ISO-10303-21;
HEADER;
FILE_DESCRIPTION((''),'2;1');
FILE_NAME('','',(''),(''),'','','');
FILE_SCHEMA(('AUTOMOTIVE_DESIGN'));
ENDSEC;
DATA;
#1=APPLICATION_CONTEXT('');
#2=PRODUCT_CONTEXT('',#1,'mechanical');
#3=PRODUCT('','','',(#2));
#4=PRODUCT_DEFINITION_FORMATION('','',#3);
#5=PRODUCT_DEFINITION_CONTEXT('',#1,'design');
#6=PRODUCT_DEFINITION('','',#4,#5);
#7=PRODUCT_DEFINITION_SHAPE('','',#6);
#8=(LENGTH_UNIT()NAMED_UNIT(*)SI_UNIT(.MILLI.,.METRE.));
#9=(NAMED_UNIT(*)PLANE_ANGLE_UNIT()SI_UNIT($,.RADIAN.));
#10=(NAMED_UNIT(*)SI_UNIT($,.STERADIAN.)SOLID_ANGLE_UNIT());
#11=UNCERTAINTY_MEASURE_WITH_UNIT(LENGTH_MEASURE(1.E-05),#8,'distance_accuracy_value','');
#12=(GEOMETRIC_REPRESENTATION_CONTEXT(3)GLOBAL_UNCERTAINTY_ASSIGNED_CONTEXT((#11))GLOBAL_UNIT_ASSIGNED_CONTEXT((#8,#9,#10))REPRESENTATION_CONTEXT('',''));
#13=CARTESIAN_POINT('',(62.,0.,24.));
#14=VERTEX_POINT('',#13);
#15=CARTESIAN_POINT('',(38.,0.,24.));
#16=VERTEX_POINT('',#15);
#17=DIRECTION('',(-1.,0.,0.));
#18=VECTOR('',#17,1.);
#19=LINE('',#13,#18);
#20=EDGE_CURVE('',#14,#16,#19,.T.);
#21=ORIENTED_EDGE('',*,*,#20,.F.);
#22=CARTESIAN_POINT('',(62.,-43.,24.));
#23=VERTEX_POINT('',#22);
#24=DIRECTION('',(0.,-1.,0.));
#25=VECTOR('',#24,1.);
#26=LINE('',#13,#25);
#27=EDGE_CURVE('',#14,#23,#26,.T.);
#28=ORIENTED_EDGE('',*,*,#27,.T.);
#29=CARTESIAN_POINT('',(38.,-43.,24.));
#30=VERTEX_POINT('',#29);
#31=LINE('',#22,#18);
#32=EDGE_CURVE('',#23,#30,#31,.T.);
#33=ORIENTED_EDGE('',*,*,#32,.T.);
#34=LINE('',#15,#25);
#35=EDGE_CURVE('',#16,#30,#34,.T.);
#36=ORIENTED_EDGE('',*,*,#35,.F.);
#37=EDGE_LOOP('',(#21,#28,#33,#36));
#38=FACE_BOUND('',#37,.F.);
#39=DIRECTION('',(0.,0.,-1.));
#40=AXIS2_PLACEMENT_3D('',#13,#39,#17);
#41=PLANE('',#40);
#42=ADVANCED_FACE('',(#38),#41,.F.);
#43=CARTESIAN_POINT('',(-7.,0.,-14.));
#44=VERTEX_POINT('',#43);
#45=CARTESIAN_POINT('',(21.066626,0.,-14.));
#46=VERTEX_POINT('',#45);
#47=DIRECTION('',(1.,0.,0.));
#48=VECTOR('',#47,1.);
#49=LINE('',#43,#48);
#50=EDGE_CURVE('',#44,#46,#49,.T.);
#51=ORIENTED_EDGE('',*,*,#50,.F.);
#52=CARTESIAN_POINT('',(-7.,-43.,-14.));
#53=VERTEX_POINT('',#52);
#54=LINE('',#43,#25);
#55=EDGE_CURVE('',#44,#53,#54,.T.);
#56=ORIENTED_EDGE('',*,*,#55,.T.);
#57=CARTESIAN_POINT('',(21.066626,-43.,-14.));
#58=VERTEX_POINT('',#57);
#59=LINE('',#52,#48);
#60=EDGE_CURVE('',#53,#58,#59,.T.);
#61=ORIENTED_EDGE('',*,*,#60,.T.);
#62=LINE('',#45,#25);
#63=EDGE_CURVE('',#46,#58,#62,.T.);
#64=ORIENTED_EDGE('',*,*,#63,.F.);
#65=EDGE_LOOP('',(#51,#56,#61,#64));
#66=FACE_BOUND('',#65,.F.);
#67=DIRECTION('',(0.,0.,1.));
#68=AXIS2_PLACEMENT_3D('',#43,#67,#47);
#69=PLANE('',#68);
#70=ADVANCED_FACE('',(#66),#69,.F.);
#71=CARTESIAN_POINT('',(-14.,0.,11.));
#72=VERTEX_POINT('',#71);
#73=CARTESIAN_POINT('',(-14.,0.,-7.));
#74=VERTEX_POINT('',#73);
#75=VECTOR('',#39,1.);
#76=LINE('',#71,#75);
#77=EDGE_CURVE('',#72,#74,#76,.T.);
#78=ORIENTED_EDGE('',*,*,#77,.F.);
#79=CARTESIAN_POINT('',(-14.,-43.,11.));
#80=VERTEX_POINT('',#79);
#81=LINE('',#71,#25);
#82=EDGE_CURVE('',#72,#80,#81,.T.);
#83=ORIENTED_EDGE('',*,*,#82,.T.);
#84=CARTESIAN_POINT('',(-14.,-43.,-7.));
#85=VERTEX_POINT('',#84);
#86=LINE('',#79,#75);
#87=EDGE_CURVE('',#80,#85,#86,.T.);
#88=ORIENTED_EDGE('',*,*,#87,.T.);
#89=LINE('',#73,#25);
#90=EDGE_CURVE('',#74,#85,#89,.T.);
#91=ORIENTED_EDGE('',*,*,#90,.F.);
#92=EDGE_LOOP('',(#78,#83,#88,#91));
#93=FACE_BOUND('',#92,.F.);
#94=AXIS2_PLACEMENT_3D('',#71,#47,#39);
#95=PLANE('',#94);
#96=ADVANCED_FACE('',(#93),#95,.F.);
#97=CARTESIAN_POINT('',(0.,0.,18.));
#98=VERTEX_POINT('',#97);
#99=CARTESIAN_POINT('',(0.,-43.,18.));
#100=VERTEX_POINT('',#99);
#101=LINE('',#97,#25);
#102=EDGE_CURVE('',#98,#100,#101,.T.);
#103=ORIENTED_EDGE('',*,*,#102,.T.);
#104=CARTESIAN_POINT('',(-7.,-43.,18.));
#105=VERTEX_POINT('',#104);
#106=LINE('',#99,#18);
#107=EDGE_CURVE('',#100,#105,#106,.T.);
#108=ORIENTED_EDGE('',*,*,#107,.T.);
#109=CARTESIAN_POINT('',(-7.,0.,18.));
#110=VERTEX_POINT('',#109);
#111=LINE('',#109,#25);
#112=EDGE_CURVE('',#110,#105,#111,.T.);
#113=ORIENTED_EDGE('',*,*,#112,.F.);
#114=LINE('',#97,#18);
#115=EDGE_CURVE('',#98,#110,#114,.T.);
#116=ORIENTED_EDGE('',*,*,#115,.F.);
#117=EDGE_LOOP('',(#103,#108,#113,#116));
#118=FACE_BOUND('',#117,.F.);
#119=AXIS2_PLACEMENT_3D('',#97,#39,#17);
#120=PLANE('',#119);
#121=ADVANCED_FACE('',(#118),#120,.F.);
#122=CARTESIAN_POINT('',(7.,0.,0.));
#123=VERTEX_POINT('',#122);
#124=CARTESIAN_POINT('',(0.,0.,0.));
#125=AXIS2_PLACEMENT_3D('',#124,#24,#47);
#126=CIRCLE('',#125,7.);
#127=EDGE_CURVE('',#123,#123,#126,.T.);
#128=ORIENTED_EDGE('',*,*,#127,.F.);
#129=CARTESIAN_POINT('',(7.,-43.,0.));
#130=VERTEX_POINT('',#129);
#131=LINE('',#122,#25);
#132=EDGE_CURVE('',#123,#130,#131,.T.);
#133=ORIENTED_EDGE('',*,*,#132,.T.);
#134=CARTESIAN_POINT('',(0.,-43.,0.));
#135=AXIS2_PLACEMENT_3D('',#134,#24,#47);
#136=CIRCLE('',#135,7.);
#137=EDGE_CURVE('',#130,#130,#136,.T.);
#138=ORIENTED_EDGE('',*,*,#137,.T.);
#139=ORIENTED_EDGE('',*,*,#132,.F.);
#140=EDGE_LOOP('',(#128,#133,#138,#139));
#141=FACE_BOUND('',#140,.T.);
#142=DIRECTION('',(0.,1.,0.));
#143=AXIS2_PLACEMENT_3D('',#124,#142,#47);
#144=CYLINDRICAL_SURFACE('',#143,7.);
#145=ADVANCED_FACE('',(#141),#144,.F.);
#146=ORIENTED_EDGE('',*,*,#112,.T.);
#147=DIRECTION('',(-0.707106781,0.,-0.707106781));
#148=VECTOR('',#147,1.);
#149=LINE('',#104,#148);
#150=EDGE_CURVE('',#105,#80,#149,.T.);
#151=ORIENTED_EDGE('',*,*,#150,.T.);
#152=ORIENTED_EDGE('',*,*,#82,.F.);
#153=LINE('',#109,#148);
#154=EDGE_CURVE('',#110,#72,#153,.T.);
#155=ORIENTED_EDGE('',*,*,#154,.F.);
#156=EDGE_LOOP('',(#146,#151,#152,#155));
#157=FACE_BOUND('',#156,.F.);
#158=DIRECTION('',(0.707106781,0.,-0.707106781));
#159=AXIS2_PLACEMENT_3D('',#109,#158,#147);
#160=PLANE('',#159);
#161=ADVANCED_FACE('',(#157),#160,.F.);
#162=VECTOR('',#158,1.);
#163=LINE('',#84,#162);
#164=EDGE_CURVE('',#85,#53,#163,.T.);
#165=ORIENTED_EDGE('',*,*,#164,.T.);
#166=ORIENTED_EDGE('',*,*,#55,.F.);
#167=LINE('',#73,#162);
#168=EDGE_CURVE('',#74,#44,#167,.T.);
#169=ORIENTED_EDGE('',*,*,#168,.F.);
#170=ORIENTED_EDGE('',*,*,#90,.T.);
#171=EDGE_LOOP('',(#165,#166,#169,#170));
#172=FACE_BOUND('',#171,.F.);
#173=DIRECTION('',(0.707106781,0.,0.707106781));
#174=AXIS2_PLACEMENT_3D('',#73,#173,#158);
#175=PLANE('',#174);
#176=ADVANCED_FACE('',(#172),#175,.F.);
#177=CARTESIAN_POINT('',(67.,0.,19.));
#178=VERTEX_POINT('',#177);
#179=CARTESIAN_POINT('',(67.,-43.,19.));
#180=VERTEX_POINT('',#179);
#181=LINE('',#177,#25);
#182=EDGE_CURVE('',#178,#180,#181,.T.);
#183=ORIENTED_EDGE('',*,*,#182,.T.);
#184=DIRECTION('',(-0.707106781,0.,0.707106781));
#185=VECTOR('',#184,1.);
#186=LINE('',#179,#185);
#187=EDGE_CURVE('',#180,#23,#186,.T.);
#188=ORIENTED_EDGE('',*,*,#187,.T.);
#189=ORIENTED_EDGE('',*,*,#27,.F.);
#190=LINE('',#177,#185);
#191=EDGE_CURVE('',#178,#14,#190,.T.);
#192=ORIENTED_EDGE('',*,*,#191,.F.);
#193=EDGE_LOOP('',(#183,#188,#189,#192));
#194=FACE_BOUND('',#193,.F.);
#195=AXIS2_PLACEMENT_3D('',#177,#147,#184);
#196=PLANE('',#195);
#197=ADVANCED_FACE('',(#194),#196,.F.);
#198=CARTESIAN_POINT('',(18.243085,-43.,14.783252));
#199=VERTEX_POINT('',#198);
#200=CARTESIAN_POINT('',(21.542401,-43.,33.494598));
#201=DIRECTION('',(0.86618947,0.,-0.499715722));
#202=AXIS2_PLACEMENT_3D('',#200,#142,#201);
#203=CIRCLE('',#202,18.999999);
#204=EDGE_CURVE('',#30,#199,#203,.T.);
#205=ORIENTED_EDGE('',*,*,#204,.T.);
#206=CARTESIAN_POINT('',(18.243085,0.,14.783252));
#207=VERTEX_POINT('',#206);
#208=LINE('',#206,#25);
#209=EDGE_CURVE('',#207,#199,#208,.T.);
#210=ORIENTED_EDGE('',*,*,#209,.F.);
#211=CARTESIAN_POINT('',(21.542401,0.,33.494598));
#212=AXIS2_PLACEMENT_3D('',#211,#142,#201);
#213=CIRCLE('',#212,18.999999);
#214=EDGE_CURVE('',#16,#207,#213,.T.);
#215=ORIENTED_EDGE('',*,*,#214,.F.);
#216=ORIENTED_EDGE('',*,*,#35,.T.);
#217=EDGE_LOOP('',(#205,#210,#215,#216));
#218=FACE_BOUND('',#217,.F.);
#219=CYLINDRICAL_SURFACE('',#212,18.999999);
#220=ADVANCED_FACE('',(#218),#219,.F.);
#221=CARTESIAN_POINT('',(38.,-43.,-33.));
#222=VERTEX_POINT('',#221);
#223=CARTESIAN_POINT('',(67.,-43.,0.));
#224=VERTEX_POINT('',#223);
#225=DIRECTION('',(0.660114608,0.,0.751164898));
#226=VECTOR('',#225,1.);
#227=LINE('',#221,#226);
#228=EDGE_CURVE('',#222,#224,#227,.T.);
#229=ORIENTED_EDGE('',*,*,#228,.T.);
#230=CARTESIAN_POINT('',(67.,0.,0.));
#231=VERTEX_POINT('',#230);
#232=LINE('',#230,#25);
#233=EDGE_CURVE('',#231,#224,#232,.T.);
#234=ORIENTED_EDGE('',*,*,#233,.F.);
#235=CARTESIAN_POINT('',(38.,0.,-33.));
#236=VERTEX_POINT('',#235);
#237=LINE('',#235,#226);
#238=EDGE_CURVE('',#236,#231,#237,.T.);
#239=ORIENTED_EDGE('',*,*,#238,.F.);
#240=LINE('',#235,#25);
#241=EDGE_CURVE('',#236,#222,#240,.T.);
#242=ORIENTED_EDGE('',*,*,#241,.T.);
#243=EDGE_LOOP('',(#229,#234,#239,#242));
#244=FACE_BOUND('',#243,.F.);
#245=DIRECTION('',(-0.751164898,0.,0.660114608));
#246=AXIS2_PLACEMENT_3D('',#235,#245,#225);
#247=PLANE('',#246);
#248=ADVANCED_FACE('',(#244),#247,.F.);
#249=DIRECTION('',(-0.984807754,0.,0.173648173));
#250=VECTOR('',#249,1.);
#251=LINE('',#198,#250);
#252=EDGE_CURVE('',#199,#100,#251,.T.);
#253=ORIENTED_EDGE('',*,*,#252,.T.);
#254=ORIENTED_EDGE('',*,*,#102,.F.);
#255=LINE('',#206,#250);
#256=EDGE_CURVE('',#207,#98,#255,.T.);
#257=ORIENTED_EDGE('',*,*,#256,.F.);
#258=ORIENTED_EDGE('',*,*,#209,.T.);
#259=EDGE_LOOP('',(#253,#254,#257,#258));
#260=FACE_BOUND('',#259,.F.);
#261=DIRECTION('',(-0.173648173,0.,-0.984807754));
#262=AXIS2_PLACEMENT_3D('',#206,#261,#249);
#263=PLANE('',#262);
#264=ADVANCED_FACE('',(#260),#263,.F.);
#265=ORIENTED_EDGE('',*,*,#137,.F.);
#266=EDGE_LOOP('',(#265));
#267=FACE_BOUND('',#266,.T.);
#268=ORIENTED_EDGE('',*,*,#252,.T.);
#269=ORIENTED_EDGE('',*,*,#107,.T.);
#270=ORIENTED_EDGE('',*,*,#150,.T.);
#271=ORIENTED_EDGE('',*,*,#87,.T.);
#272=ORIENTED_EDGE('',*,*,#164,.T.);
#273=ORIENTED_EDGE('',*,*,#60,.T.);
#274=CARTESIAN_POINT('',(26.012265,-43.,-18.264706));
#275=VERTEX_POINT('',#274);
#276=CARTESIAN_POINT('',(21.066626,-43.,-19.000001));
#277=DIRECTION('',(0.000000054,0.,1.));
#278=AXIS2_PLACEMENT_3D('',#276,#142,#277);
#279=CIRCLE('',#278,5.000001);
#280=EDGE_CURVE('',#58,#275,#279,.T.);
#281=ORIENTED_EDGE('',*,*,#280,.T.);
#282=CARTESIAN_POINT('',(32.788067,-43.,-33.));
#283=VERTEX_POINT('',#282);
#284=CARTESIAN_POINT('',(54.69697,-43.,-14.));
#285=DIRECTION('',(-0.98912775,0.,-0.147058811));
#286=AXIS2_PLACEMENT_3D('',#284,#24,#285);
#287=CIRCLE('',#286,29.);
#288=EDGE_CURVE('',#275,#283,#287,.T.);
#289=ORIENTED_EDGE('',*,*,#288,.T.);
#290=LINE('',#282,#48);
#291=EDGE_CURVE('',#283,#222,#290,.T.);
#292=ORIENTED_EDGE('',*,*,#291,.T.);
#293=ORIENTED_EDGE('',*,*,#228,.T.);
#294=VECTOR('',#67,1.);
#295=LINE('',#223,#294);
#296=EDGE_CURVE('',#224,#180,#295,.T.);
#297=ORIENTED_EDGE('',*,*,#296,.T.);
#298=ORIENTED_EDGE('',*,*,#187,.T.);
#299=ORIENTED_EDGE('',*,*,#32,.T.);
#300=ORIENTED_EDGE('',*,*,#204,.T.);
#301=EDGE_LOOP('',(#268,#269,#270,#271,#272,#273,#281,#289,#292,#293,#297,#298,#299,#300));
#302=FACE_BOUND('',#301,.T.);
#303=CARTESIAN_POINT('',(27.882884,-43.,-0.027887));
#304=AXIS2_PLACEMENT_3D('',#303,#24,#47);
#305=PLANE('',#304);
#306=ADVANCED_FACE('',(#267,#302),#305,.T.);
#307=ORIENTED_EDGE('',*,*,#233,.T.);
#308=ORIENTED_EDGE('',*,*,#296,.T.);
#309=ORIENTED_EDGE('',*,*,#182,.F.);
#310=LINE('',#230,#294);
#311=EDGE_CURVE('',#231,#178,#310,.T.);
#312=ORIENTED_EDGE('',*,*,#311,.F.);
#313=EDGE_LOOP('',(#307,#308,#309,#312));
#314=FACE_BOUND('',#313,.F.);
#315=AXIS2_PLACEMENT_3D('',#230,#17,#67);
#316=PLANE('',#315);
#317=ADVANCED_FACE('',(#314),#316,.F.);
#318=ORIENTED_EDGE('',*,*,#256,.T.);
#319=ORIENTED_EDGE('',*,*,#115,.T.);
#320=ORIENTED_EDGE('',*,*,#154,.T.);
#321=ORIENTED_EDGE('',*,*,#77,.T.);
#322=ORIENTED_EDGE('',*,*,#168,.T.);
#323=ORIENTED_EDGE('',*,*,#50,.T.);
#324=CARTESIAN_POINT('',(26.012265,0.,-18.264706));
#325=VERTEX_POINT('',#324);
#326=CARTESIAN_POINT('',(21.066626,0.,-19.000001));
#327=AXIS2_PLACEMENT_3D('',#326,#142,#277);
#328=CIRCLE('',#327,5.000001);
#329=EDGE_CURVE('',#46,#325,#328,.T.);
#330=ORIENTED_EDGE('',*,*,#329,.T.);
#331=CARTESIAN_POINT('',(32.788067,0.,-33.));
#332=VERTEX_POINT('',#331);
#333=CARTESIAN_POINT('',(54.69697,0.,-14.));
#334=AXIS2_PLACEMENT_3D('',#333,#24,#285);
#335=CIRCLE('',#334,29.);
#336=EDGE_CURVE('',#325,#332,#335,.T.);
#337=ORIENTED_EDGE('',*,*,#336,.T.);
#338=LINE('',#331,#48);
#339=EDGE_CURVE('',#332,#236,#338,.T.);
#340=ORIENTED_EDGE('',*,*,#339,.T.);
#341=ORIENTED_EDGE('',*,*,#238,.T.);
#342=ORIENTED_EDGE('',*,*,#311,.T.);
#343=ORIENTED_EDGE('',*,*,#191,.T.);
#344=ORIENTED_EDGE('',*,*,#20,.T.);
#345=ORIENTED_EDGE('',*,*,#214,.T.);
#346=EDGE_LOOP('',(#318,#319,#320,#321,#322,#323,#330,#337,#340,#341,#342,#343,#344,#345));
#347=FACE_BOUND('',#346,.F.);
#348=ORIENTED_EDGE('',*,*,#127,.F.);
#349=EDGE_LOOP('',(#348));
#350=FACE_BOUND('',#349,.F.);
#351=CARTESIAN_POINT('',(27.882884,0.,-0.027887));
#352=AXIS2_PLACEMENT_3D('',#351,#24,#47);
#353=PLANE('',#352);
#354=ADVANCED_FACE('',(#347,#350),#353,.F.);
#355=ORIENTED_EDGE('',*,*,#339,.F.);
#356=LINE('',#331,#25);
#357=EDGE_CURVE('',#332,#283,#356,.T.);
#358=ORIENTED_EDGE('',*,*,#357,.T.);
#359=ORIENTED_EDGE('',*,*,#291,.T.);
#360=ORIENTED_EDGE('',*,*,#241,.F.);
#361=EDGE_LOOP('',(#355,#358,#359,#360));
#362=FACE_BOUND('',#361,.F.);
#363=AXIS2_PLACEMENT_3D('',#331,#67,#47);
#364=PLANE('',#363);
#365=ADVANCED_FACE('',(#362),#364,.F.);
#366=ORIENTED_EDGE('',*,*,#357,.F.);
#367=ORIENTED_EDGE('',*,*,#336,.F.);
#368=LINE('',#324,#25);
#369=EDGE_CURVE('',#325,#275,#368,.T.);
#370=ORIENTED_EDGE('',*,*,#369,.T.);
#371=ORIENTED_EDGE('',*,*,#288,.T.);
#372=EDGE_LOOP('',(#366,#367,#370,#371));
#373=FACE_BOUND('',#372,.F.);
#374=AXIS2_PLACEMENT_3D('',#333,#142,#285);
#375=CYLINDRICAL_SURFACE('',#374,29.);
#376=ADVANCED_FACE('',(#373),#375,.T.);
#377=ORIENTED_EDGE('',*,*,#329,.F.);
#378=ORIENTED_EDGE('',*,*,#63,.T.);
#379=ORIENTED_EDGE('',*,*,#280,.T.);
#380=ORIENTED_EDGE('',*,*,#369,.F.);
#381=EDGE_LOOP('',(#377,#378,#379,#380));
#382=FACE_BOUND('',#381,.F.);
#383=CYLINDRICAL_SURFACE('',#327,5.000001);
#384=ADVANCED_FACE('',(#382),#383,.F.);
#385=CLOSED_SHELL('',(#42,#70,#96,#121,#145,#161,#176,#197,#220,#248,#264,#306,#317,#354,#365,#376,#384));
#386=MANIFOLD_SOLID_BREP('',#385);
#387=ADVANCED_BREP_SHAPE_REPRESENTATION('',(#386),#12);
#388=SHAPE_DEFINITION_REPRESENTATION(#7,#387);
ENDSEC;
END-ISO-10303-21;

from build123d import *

# Parameters (mm, degrees)
F0_R     = 7
F1_DEPTH = 43


with BuildPart() as f1:
    # F0 (on Front) → F1 (new body)
    with BuildSketch(Plane.XZ):
        with BuildLine():
            Line((-14, 11), (-14, -7))
            Line((-14, -7), (-7, -14))
            Line((-7, -14), (0, -14))
            Line((0, -14), (21.066626, -14))
            ThreePointArc((21.066626, -14), (24.331862, -15.213414), (26.012265, -18.264706))
            ThreePointArc((26.012265, -18.264706), (28.349095, -26.115672), (32.788067, -33))
            Line((32.788067, -33), (38, -33))
            Line((38, -33), (67, 0))
            Line((67, 0), (67, 19))
            Line((67, 19), (62, 24))
            Line((62, 24), (38, 24))
            ThreePointArc((38, 24), (29.574973, 16.276069), (18.243085, 14.783252))
            Line((18.243085, 14.783252), (0, 18))
            Line((0, 18), (-7, 18))
            Line((-7, 18), (-14, 11))
        make_face()
        Circle(F0_R, mode=Mode.SUBTRACT)
    extrude(amount=F1_DEPTH)


solid = f1.part
